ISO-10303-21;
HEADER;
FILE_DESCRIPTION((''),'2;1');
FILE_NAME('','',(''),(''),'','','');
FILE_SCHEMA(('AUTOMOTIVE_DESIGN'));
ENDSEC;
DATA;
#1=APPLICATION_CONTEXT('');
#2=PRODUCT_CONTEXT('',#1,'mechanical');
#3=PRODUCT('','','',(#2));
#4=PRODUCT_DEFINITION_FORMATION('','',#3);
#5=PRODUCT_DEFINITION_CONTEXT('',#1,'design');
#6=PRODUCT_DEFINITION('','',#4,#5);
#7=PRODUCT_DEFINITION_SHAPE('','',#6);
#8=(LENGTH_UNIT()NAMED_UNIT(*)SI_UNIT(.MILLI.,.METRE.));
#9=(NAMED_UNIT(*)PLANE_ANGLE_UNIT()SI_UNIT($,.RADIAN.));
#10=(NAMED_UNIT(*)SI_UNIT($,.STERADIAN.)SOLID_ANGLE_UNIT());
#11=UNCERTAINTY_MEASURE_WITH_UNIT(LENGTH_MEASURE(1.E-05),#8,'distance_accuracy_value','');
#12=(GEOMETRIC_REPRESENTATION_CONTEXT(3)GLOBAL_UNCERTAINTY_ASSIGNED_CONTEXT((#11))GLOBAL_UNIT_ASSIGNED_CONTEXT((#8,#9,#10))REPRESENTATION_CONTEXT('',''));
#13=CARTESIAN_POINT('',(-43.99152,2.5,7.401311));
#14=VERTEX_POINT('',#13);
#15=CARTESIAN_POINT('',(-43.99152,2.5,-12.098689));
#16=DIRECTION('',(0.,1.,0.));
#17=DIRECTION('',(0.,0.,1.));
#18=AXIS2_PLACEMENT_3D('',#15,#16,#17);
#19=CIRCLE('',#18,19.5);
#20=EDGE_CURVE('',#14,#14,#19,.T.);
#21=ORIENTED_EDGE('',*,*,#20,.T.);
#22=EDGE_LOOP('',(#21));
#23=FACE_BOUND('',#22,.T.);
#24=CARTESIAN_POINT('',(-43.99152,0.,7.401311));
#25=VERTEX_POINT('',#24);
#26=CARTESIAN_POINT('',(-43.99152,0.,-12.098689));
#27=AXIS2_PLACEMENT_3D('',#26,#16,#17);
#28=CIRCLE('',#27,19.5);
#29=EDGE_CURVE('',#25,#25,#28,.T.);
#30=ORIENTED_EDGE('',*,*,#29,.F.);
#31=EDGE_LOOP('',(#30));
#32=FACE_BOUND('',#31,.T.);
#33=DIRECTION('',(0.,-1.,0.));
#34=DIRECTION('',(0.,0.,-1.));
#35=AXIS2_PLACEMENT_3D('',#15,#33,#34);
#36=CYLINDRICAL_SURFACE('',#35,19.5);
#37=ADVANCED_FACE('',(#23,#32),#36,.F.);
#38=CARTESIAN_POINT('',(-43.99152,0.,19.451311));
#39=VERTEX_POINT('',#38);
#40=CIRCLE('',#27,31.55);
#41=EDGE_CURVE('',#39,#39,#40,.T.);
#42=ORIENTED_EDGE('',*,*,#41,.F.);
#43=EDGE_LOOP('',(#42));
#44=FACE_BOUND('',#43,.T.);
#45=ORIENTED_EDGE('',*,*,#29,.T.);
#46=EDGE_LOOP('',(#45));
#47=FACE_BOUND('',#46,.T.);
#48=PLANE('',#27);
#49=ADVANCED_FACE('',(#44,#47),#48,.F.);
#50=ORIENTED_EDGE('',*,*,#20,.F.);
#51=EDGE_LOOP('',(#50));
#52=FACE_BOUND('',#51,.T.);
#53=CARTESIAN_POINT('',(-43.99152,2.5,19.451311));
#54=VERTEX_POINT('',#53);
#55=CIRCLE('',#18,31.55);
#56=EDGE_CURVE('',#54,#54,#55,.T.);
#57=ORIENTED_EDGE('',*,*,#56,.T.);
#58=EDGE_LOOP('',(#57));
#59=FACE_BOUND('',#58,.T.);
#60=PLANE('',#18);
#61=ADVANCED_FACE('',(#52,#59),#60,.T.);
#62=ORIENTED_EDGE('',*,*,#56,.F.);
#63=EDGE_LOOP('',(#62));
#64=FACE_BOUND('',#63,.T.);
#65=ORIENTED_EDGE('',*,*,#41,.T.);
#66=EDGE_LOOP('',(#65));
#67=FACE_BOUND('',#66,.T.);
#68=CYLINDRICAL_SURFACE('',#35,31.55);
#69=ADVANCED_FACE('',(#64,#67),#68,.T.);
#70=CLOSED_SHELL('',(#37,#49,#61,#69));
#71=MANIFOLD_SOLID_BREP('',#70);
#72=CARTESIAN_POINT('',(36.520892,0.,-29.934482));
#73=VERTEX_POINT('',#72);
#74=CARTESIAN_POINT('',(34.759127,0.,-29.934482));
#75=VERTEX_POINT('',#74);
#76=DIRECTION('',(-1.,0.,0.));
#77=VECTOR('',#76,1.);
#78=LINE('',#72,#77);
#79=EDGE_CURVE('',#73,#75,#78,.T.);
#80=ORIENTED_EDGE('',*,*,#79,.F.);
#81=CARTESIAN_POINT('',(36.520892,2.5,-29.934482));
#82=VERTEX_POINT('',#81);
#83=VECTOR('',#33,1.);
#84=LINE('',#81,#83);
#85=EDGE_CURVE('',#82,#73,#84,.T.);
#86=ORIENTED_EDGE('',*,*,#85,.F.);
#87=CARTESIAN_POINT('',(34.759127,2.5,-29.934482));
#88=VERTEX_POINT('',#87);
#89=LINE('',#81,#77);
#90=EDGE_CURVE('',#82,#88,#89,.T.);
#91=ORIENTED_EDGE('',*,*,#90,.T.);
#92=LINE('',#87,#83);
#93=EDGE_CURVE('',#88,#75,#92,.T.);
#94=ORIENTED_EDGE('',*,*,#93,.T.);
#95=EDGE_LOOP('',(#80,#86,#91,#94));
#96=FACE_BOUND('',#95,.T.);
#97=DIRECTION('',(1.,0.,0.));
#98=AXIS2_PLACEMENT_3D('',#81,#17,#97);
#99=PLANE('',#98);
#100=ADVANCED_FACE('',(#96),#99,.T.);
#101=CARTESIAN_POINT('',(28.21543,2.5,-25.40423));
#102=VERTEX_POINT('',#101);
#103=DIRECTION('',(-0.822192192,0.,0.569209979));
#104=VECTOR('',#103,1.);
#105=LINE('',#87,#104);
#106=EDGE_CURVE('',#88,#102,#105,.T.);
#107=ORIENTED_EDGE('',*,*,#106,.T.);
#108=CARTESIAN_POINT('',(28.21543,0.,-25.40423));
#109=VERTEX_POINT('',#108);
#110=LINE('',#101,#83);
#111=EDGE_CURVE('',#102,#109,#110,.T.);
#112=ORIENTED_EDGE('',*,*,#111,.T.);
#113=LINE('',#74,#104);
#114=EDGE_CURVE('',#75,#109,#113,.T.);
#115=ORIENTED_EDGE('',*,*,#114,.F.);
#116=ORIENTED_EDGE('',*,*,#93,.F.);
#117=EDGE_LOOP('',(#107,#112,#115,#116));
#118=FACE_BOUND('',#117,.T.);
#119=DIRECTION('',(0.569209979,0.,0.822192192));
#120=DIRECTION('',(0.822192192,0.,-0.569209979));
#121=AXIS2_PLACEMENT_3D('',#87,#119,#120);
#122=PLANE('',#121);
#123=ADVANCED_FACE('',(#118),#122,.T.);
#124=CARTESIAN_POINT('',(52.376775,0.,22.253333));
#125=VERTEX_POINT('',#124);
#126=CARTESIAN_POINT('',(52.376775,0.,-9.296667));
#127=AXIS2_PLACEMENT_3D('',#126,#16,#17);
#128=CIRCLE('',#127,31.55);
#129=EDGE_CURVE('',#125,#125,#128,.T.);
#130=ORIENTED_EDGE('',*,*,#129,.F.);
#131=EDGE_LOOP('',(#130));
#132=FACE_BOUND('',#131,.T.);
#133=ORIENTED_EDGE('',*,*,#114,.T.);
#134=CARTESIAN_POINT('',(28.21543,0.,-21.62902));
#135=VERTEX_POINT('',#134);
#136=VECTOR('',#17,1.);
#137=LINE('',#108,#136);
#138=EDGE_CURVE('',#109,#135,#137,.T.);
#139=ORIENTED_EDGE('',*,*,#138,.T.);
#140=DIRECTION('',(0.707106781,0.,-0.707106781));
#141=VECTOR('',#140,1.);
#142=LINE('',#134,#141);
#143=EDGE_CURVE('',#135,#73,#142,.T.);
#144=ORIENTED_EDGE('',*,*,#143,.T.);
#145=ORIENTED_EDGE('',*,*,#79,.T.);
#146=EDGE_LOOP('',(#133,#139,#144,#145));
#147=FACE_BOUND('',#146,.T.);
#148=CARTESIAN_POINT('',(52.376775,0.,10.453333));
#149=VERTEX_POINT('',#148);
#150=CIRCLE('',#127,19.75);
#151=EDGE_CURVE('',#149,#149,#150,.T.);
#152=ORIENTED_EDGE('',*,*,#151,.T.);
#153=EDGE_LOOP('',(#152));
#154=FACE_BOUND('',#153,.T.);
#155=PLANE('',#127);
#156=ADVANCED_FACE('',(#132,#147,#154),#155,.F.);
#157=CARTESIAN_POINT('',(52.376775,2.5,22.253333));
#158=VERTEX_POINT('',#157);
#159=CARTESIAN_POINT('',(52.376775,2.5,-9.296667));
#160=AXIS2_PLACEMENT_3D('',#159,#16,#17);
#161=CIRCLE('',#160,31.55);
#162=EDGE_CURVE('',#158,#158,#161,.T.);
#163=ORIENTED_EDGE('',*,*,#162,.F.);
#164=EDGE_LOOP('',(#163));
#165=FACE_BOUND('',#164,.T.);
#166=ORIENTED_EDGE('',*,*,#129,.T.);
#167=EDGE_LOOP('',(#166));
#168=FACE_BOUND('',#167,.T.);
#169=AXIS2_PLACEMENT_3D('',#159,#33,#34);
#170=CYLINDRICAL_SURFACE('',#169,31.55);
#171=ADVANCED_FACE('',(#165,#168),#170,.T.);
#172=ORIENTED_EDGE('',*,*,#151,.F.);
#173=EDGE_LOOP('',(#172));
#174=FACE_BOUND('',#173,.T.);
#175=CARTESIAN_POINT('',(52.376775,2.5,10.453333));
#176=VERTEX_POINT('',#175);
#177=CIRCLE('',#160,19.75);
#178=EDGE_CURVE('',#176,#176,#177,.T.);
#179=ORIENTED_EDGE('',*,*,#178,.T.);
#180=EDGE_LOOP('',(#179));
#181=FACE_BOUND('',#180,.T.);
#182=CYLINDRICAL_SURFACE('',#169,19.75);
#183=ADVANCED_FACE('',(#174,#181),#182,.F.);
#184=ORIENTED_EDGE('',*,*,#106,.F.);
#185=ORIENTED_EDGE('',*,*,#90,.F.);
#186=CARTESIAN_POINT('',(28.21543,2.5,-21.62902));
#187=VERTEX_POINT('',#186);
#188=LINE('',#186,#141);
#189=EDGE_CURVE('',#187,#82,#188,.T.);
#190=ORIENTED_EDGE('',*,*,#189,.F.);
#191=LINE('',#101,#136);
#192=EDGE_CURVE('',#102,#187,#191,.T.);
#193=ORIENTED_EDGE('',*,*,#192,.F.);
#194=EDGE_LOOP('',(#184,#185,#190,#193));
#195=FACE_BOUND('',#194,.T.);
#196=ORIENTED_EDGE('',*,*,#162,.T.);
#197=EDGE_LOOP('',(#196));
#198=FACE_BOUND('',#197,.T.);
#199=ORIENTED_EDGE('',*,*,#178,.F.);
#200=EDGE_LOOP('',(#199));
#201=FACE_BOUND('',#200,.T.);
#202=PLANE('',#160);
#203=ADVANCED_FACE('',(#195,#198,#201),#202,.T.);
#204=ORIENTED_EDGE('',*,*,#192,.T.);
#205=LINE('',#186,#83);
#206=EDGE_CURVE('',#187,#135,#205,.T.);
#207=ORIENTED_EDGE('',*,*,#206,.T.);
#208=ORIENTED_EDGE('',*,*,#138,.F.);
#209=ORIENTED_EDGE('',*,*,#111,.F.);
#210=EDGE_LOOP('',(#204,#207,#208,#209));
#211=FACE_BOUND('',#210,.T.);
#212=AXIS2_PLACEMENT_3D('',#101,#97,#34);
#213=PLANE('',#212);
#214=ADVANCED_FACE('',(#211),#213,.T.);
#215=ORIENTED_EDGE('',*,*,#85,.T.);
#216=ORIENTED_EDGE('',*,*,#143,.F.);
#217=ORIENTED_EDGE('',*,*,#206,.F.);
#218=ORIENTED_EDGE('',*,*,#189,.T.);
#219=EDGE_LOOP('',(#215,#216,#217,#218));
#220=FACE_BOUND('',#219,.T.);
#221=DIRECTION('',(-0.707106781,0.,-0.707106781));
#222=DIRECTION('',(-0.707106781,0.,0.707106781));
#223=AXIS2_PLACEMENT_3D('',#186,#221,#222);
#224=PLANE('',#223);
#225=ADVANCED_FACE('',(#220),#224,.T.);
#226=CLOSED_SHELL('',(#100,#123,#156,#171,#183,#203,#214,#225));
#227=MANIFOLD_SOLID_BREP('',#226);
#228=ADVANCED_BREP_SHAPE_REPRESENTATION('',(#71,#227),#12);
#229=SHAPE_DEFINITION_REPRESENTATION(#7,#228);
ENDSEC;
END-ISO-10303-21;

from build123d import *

# Parameters (mm, degrees)
SKETCH1_R           = 31.55
SKETCH1_R_2         = 19.5
BOSS_EXTRUDE1_DEPTH = 2.5
SKETCH2_R           = 31.55
SKETCH2_R_2         = 19.75
BOSS_EXTRUDE2_DEPTH = 2.5


with BuildPart() as part:
    # Sketch1 → Boss-Extrude1 (new body)
    with BuildSketch(Plane(origin=(0, 0, 0), x_dir=(1, 0, 0), z_dir=(0, 1, 0))):
        with Locations(Location((-43.991519585, 12.09868885, 0), (0, 0, 270))):
            Circle(SKETCH1_R)
        with Locations(Location((-43.991519585, 12.09868885, 0), (0, 0, 270))):
            Circle(SKETCH1_R_2, mode=Mode.SUBTRACT)
    extrude(amount=BOSS_EXTRUDE1_DEPTH)


with BuildPart() as body_2:
    # Sketch2 → Boss-Extrude2 (new body)
    with BuildSketch(Plane(origin=(0, 0, 0), x_dir=(1, 0, 0), z_dir=(0, 1, 0))):
        with Locations(Location((52.376774814, 9.296666524, 0), (0, 0, 270))):
            Circle(SKETCH2_R)
        with Locations(Location((52.376774814, 9.296666524, 0), (0, 0, 270))):
            Circle(SKETCH2_R_2, mode=Mode.SUBTRACT)
        Polygon((28.215429536, 25.404230043), (28.215429536, 21.629019843), (36.520891975, 29.934482282), (34.759127216, 29.934482282), align=None, mode=Mode.SUBTRACT)
    extrude(amount=BOSS_EXTRUDE2_DEPTH)


solid = Compound([part.part, body_2.part])
